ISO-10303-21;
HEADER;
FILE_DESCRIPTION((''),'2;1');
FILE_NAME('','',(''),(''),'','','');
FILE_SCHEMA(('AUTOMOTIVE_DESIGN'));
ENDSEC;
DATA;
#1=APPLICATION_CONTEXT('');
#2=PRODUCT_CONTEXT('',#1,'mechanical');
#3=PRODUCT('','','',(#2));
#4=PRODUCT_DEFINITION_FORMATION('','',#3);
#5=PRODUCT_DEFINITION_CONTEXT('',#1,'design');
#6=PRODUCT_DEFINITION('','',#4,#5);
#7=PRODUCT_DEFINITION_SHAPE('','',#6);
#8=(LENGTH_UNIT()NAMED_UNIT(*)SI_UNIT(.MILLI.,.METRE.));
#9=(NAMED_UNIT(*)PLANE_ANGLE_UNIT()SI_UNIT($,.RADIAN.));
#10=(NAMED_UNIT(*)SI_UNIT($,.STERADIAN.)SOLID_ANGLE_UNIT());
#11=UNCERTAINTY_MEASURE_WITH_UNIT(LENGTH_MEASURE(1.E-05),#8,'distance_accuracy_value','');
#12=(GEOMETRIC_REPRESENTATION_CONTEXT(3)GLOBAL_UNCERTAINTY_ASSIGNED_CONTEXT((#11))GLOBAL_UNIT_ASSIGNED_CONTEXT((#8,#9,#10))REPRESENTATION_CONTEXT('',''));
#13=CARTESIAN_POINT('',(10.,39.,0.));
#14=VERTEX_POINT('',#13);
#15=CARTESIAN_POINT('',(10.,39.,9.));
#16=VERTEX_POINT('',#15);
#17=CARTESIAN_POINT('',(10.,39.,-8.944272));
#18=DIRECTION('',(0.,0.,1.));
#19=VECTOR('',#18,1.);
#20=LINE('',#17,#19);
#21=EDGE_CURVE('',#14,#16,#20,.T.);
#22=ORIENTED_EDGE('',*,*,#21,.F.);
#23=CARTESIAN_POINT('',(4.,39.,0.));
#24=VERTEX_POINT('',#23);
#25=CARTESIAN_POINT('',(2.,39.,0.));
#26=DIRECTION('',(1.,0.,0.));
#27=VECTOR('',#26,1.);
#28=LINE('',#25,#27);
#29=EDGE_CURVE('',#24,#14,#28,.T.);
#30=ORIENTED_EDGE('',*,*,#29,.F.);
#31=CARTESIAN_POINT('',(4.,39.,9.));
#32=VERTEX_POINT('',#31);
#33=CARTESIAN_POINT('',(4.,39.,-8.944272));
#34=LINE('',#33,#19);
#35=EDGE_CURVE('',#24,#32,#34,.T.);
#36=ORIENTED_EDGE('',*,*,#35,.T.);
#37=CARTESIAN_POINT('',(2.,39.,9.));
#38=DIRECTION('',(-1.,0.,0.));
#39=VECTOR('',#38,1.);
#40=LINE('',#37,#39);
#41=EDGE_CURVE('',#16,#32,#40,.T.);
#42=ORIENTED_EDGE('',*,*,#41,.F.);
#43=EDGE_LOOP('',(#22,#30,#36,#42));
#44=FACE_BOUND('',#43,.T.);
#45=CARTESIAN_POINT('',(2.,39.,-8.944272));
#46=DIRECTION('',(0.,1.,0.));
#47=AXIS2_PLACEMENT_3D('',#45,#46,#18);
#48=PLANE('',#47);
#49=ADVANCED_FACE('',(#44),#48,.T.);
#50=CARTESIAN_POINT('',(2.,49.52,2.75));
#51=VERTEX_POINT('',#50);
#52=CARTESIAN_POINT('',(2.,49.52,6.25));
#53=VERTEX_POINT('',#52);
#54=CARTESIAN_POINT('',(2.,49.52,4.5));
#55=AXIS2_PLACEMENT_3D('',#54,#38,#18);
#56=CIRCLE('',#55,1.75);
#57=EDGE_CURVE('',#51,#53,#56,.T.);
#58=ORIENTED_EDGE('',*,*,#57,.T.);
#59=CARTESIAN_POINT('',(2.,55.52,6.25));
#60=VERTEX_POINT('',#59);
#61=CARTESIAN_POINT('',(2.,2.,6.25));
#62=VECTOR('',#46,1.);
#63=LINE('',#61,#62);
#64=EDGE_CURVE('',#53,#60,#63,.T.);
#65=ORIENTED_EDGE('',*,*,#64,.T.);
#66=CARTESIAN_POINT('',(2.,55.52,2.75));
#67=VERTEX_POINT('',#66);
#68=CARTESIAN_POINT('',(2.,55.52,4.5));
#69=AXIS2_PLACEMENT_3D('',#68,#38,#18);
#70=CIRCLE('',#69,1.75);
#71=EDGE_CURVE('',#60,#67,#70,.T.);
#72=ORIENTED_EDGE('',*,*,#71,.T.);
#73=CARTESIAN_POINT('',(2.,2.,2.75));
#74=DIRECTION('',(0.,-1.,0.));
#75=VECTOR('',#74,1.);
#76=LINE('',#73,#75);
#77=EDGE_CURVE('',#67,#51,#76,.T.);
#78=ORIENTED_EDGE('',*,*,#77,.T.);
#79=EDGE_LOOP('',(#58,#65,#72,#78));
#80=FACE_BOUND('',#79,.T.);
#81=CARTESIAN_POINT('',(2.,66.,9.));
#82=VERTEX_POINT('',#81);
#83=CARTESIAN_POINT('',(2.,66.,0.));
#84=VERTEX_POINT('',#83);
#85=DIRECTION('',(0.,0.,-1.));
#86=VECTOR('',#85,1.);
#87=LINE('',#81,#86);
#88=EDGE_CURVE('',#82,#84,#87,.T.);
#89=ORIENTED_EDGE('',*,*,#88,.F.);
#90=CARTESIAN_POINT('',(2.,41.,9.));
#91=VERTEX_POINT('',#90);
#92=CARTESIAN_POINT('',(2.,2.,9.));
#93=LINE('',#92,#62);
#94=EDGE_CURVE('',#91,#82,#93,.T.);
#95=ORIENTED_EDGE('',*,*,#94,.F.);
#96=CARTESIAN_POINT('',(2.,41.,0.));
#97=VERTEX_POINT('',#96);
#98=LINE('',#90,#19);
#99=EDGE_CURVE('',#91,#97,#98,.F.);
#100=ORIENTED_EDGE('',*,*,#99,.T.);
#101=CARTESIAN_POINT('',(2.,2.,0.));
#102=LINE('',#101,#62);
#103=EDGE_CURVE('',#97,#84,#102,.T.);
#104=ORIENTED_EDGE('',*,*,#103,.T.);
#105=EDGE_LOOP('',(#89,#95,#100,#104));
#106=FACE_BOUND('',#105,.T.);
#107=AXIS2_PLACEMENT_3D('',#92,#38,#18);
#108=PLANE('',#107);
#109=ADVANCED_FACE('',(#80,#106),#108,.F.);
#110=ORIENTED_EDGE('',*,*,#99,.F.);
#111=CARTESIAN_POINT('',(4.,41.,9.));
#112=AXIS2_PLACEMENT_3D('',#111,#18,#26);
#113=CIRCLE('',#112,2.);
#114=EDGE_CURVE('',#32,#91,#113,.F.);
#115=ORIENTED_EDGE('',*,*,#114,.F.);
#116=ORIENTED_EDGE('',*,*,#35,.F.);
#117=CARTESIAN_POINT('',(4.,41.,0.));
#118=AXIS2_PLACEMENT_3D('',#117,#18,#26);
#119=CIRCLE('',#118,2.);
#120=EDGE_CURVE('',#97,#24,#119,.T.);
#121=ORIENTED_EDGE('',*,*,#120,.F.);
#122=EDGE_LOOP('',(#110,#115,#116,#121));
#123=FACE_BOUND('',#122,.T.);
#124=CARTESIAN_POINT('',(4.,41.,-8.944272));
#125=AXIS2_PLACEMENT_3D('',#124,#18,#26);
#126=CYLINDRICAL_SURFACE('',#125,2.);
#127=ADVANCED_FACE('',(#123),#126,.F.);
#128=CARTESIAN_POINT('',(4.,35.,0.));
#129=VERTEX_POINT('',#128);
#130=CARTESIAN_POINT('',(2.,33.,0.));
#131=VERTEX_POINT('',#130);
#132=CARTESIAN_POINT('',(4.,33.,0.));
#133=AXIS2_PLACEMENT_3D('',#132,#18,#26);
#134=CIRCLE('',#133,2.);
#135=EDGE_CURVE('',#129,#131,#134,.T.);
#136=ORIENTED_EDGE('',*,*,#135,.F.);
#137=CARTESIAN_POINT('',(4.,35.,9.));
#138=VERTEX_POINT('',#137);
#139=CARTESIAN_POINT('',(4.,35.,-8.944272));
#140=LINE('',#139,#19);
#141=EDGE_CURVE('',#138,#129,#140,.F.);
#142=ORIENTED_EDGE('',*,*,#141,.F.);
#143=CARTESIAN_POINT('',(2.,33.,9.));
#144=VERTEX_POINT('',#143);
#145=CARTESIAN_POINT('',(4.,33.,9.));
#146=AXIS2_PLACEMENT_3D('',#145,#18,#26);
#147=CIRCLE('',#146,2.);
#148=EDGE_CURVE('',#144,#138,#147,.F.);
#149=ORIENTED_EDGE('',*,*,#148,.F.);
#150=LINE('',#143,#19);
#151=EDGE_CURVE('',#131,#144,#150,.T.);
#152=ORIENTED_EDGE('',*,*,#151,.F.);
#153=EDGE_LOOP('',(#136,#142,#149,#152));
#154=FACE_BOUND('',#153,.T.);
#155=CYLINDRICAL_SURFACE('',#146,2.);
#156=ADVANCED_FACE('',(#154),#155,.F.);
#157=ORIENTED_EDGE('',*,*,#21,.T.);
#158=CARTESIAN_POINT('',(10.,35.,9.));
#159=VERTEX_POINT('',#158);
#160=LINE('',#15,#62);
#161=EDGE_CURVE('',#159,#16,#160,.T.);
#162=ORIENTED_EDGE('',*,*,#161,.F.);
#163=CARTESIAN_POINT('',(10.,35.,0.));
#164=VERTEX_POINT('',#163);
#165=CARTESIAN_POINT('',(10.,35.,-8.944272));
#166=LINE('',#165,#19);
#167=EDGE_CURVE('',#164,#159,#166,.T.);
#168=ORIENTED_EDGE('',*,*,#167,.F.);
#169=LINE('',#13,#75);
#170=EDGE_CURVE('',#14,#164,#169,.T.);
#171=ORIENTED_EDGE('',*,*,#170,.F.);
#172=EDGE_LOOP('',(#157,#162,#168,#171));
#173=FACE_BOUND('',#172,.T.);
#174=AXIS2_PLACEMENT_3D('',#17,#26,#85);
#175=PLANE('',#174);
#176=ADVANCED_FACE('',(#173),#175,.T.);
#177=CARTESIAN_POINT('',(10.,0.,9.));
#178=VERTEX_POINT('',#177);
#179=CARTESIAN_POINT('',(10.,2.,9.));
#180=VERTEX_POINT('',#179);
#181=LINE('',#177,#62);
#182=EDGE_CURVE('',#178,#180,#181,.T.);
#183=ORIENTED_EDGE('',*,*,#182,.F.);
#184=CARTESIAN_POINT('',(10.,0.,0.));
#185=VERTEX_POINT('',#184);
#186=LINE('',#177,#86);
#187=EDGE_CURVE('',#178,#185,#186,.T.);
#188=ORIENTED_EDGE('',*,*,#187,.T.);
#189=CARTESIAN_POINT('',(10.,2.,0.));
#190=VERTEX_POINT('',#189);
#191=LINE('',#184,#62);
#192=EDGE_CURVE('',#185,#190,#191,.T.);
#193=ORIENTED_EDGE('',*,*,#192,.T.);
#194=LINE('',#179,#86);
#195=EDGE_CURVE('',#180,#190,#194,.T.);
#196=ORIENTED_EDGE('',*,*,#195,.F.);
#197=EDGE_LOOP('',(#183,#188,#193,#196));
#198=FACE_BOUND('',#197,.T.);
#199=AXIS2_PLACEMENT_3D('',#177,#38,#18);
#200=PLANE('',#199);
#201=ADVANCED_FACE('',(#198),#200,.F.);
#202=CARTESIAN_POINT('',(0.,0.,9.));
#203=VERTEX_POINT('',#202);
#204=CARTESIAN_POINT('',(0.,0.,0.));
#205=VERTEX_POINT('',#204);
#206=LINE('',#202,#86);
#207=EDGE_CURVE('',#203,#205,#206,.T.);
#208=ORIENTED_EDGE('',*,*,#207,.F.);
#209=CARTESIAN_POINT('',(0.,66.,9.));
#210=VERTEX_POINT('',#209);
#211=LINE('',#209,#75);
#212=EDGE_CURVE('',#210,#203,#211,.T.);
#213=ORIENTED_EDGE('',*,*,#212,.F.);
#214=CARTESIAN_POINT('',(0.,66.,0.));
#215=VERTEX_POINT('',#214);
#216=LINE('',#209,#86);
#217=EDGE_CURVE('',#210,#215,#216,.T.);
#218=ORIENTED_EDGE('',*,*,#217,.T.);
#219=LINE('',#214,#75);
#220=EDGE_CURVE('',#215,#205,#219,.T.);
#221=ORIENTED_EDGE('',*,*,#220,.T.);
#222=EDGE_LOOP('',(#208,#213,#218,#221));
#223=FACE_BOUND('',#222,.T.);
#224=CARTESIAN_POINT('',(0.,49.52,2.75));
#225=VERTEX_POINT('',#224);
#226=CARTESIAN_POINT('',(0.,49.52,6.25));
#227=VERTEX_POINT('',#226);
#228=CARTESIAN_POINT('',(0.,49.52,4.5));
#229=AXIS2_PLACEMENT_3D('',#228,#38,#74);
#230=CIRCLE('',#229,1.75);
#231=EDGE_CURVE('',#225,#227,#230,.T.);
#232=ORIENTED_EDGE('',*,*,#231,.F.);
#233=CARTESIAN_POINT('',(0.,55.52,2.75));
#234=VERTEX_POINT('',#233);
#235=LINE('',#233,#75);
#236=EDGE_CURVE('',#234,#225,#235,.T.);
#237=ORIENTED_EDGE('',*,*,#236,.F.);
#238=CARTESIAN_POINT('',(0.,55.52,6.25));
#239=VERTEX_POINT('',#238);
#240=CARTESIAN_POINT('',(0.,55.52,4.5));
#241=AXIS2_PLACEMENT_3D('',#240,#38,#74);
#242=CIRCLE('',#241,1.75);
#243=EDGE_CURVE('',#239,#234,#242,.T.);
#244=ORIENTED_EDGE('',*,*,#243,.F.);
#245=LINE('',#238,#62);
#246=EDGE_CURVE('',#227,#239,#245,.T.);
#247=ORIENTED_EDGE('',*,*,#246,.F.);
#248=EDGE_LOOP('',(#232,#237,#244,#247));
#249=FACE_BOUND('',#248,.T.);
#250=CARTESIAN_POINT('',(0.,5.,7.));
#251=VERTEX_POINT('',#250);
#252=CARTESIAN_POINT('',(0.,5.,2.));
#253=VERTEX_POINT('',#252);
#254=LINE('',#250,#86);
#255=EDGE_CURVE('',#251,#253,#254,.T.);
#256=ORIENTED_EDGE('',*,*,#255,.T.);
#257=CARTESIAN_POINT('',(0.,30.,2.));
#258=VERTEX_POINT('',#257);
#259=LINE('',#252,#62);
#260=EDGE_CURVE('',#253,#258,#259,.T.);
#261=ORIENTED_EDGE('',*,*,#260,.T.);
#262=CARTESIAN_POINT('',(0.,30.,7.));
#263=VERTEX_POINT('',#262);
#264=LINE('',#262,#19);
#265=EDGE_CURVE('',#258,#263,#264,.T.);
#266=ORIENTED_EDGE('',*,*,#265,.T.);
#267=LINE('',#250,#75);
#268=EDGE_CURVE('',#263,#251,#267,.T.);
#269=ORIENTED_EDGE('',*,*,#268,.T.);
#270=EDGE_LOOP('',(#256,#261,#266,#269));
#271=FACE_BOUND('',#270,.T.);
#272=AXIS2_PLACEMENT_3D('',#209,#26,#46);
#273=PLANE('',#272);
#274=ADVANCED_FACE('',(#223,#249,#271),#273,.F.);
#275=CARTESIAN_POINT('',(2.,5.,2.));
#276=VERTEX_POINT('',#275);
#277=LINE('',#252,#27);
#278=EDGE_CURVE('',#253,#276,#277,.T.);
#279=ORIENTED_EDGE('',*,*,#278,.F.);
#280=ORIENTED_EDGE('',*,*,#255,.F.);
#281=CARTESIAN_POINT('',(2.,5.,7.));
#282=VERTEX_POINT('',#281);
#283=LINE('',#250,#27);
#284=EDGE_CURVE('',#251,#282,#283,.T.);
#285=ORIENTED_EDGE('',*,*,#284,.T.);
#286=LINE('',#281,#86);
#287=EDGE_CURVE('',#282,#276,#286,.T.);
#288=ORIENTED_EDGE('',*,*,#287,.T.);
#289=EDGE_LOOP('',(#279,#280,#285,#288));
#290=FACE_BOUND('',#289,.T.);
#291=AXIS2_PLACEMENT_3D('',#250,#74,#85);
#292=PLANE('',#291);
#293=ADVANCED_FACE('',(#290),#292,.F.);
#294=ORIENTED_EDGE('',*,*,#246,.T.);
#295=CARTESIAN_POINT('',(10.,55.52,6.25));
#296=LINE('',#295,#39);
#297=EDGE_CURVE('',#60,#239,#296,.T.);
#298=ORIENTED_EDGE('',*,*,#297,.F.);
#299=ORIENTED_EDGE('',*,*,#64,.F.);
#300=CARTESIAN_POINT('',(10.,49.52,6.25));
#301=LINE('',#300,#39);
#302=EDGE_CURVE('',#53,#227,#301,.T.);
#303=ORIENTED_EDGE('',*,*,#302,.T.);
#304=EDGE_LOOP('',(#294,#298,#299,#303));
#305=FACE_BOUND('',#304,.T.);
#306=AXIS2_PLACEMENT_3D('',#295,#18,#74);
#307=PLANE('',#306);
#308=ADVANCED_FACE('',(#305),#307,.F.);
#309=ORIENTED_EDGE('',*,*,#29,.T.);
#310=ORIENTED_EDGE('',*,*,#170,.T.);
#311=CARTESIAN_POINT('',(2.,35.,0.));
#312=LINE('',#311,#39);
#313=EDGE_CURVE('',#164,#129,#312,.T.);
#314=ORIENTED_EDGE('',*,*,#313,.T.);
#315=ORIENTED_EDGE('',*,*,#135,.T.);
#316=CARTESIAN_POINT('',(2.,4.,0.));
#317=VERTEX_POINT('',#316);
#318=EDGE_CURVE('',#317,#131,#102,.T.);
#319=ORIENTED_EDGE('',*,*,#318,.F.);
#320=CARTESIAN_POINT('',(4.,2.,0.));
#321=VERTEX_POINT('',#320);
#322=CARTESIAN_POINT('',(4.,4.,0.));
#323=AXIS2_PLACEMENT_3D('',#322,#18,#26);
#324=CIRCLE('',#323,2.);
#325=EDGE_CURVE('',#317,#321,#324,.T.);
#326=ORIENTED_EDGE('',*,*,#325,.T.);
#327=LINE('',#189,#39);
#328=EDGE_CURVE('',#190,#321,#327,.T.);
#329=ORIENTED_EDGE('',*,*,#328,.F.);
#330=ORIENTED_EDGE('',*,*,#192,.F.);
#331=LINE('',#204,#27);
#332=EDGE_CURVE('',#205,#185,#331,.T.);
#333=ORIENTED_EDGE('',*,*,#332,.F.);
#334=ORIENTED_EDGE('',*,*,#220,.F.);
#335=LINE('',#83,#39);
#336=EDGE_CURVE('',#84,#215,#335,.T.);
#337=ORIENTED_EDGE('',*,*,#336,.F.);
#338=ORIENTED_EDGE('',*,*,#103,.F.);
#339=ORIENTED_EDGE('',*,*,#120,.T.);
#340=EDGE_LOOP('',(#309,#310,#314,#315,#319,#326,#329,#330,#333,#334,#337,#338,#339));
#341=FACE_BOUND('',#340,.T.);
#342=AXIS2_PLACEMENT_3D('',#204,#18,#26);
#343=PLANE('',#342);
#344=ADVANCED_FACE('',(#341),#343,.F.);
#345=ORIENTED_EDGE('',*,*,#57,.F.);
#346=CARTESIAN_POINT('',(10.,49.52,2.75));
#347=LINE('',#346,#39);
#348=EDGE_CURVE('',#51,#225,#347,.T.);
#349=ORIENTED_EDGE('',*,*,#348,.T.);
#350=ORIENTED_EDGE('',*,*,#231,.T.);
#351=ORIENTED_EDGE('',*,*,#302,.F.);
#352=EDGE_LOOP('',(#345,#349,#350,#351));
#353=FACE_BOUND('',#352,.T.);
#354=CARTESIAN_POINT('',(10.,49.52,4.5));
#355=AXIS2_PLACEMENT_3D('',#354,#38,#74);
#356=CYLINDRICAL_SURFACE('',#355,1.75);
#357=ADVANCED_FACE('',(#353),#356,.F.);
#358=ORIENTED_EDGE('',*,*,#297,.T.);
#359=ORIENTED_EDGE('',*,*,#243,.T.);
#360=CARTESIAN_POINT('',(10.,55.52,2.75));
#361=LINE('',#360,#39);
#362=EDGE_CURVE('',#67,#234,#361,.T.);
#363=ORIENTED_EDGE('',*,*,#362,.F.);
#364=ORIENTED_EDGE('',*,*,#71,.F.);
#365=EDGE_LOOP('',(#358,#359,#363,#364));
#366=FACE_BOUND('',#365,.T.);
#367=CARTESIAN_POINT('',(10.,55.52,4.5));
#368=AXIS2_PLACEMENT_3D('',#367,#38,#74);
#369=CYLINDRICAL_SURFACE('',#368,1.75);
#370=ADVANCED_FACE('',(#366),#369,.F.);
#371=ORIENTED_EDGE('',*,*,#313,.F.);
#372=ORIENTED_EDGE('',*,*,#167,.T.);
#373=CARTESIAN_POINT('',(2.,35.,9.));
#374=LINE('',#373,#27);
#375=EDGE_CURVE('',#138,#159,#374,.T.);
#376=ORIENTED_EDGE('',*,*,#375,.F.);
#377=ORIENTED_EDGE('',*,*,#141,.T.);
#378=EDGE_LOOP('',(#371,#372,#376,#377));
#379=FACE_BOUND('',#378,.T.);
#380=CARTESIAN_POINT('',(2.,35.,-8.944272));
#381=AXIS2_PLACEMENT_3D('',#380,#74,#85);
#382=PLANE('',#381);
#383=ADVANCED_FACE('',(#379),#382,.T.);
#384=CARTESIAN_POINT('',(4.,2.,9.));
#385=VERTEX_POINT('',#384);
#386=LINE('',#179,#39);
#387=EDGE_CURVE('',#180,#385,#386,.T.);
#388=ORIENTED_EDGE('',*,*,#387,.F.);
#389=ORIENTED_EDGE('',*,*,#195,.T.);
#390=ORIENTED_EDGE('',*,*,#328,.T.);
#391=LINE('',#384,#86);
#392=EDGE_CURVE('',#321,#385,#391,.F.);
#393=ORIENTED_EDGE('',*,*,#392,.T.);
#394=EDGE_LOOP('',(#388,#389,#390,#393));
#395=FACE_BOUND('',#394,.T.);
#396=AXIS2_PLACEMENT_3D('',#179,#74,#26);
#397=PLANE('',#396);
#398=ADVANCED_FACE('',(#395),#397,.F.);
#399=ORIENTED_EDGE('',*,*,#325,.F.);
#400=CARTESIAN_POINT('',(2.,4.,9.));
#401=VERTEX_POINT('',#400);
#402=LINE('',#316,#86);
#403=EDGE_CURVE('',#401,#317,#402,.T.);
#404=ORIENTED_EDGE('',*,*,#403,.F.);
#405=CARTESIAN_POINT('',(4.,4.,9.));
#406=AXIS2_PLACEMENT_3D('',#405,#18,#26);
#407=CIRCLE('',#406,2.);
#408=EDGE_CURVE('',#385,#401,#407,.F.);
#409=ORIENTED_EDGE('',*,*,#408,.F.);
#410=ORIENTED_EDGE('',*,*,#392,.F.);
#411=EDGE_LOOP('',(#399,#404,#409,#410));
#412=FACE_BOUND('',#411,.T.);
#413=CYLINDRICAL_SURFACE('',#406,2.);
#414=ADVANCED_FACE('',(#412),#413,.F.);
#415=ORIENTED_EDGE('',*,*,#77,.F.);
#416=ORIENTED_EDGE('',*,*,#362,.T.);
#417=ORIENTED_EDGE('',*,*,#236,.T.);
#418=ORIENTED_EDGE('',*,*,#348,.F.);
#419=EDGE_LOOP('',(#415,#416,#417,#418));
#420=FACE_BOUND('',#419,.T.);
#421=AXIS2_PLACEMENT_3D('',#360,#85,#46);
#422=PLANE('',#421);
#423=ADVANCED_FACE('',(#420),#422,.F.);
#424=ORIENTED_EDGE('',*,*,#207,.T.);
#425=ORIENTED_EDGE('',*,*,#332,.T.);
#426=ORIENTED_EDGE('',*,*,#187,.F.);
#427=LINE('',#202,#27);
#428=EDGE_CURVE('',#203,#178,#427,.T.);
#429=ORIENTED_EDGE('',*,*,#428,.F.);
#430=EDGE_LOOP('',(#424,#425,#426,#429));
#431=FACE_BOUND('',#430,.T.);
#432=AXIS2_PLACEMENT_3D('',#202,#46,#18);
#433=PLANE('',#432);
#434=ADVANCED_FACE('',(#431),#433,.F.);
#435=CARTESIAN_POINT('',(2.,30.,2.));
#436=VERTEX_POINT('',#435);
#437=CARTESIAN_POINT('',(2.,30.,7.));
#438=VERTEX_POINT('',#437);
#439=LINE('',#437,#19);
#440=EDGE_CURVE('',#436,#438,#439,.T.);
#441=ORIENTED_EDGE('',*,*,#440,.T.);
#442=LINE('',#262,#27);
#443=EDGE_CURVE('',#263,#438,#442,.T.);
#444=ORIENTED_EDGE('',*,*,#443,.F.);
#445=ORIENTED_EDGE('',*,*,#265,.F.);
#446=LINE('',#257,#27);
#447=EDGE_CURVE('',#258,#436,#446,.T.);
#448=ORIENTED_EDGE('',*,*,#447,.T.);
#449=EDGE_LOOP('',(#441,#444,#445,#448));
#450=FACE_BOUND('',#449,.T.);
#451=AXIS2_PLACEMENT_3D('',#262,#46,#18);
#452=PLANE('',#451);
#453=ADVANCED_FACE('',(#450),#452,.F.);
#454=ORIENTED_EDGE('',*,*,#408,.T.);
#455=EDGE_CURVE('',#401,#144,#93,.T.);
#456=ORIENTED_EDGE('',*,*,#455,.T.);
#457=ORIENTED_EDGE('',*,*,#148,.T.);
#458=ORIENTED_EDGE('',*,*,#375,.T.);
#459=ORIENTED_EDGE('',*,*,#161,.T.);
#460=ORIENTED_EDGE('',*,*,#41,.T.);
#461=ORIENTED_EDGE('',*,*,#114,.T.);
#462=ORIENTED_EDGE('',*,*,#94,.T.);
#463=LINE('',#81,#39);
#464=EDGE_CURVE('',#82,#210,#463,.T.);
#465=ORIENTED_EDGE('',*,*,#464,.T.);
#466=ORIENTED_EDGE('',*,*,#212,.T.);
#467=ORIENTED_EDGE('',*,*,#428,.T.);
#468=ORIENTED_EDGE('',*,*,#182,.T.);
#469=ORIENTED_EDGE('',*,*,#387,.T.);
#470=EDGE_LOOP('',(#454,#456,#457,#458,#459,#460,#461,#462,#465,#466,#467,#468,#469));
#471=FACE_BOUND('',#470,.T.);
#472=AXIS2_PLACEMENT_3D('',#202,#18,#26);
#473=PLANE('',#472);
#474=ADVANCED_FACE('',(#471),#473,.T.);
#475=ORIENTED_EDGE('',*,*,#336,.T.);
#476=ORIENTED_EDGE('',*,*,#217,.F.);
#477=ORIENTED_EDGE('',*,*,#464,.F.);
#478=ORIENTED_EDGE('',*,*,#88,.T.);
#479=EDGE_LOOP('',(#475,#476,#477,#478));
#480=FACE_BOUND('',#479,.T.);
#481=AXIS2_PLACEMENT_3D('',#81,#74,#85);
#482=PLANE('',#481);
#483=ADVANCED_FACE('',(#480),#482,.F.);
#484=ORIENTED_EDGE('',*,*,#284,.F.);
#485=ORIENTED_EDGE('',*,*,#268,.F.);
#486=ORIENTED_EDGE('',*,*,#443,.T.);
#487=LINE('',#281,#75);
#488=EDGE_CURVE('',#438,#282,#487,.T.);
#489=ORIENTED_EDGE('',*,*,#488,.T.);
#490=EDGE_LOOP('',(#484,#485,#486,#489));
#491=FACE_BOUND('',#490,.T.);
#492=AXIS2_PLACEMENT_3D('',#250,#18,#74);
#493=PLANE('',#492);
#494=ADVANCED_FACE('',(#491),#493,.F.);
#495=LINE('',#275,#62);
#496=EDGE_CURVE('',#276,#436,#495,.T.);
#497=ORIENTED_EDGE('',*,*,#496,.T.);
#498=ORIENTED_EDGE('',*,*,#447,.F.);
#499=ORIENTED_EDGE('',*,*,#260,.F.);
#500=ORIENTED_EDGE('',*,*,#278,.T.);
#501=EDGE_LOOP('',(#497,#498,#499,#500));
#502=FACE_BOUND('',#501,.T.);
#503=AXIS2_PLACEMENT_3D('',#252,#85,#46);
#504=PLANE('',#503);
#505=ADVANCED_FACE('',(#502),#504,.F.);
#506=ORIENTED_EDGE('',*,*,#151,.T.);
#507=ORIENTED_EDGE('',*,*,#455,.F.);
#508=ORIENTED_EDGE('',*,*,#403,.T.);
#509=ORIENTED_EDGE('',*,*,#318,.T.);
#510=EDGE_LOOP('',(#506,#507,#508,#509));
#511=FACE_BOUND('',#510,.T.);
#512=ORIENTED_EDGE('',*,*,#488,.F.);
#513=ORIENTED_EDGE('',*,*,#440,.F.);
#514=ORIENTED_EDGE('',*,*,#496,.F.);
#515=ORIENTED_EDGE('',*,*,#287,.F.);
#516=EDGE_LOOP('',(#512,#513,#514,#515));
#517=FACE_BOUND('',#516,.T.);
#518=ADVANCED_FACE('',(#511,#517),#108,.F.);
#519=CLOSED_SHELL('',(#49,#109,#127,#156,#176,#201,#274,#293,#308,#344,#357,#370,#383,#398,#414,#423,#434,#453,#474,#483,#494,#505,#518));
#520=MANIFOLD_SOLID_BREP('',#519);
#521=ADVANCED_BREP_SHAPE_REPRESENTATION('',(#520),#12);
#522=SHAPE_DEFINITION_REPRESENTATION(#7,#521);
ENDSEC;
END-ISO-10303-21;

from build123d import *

# Parameters (mm, degrees)
EXTRUDE_1_DEPTH     = 9
CUT_EXTRUDE_2_DEPTH = 68.357256476
SKETCH_6_W          = 5
SKETCH_6_H          = 25
CUT_EXTRUDE_3_DEPTH = 68.089492471
FILLET_1_R          = 2
SKETCH_7_W          = 8
SKETCH_7_H          = 4
EXTRUDE_2_DEPTH     = 9
FILLET_2_R          = 2


with BuildPart() as part:
    # Эскиз1 → Бобышка-Вытянуть1 (new body)
    with BuildSketch(Plane.XY):
        Polygon((0, 0), (10, 0), (10, 2), (2, 2), (2, 66), (0, 66), align=None)
    extrude(amount=EXTRUDE_1_DEPTH)

    # Эскиз4 → Вырез-Вытянуть2 (cut, through all)
    with BuildSketch(Plane.ZY):
        with BuildLine():
            Line((6.25, 55.52), (6.25, 49.52))
            ThreePointArc((6.25, 49.52), (4.5, 47.77), (2.75, 49.52))
            Line((2.75, 49.52), (2.75, 55.52))
            ThreePointArc((2.75, 55.52), (4.5, 57.27), (6.25, 55.52))
        make_face()
    extrude(amount=-CUT_EXTRUDE_2_DEPTH, mode=Mode.SUBTRACT)

    # Эскиз6 → Вырез-Вытянуть3 (cut, through all)
    with BuildSketch(Plane(origin=(2, 0, 0), x_dir=(0, 0, -1), z_dir=(1, 0, 0))):
        with Locations((-4.5, 17.5)):
            Rectangle(SKETCH_6_W, SKETCH_6_H)
    extrude(amount=-CUT_EXTRUDE_3_DEPTH, mode=Mode.SUBTRACT)

    # Скругление1
    fillet_1_edges = [part.edges().sort_by_distance(p)[0] for p in [
        (2, 2, 4.5),
    ]]
    fillet(fillet_1_edges, radius=FILLET_1_R)

    # Эскиз7 → Бобышка-Вытянуть2 (add)
    with BuildSketch(Plane.XY.offset(9)):
        with Locations((6, 37)):
            Rectangle(SKETCH_7_W, SKETCH_7_H)
    extrude(amount=-EXTRUDE_2_DEPTH)

    # Скругление2
    fillet_2_edges = [part.edges().sort_by_distance(p)[0] for p in [
        (2, 39, 4.5),
        (2, 35, 4.5),
    ]]
    fillet(fillet_2_edges, radius=FILLET_2_R)


solid = part.part
